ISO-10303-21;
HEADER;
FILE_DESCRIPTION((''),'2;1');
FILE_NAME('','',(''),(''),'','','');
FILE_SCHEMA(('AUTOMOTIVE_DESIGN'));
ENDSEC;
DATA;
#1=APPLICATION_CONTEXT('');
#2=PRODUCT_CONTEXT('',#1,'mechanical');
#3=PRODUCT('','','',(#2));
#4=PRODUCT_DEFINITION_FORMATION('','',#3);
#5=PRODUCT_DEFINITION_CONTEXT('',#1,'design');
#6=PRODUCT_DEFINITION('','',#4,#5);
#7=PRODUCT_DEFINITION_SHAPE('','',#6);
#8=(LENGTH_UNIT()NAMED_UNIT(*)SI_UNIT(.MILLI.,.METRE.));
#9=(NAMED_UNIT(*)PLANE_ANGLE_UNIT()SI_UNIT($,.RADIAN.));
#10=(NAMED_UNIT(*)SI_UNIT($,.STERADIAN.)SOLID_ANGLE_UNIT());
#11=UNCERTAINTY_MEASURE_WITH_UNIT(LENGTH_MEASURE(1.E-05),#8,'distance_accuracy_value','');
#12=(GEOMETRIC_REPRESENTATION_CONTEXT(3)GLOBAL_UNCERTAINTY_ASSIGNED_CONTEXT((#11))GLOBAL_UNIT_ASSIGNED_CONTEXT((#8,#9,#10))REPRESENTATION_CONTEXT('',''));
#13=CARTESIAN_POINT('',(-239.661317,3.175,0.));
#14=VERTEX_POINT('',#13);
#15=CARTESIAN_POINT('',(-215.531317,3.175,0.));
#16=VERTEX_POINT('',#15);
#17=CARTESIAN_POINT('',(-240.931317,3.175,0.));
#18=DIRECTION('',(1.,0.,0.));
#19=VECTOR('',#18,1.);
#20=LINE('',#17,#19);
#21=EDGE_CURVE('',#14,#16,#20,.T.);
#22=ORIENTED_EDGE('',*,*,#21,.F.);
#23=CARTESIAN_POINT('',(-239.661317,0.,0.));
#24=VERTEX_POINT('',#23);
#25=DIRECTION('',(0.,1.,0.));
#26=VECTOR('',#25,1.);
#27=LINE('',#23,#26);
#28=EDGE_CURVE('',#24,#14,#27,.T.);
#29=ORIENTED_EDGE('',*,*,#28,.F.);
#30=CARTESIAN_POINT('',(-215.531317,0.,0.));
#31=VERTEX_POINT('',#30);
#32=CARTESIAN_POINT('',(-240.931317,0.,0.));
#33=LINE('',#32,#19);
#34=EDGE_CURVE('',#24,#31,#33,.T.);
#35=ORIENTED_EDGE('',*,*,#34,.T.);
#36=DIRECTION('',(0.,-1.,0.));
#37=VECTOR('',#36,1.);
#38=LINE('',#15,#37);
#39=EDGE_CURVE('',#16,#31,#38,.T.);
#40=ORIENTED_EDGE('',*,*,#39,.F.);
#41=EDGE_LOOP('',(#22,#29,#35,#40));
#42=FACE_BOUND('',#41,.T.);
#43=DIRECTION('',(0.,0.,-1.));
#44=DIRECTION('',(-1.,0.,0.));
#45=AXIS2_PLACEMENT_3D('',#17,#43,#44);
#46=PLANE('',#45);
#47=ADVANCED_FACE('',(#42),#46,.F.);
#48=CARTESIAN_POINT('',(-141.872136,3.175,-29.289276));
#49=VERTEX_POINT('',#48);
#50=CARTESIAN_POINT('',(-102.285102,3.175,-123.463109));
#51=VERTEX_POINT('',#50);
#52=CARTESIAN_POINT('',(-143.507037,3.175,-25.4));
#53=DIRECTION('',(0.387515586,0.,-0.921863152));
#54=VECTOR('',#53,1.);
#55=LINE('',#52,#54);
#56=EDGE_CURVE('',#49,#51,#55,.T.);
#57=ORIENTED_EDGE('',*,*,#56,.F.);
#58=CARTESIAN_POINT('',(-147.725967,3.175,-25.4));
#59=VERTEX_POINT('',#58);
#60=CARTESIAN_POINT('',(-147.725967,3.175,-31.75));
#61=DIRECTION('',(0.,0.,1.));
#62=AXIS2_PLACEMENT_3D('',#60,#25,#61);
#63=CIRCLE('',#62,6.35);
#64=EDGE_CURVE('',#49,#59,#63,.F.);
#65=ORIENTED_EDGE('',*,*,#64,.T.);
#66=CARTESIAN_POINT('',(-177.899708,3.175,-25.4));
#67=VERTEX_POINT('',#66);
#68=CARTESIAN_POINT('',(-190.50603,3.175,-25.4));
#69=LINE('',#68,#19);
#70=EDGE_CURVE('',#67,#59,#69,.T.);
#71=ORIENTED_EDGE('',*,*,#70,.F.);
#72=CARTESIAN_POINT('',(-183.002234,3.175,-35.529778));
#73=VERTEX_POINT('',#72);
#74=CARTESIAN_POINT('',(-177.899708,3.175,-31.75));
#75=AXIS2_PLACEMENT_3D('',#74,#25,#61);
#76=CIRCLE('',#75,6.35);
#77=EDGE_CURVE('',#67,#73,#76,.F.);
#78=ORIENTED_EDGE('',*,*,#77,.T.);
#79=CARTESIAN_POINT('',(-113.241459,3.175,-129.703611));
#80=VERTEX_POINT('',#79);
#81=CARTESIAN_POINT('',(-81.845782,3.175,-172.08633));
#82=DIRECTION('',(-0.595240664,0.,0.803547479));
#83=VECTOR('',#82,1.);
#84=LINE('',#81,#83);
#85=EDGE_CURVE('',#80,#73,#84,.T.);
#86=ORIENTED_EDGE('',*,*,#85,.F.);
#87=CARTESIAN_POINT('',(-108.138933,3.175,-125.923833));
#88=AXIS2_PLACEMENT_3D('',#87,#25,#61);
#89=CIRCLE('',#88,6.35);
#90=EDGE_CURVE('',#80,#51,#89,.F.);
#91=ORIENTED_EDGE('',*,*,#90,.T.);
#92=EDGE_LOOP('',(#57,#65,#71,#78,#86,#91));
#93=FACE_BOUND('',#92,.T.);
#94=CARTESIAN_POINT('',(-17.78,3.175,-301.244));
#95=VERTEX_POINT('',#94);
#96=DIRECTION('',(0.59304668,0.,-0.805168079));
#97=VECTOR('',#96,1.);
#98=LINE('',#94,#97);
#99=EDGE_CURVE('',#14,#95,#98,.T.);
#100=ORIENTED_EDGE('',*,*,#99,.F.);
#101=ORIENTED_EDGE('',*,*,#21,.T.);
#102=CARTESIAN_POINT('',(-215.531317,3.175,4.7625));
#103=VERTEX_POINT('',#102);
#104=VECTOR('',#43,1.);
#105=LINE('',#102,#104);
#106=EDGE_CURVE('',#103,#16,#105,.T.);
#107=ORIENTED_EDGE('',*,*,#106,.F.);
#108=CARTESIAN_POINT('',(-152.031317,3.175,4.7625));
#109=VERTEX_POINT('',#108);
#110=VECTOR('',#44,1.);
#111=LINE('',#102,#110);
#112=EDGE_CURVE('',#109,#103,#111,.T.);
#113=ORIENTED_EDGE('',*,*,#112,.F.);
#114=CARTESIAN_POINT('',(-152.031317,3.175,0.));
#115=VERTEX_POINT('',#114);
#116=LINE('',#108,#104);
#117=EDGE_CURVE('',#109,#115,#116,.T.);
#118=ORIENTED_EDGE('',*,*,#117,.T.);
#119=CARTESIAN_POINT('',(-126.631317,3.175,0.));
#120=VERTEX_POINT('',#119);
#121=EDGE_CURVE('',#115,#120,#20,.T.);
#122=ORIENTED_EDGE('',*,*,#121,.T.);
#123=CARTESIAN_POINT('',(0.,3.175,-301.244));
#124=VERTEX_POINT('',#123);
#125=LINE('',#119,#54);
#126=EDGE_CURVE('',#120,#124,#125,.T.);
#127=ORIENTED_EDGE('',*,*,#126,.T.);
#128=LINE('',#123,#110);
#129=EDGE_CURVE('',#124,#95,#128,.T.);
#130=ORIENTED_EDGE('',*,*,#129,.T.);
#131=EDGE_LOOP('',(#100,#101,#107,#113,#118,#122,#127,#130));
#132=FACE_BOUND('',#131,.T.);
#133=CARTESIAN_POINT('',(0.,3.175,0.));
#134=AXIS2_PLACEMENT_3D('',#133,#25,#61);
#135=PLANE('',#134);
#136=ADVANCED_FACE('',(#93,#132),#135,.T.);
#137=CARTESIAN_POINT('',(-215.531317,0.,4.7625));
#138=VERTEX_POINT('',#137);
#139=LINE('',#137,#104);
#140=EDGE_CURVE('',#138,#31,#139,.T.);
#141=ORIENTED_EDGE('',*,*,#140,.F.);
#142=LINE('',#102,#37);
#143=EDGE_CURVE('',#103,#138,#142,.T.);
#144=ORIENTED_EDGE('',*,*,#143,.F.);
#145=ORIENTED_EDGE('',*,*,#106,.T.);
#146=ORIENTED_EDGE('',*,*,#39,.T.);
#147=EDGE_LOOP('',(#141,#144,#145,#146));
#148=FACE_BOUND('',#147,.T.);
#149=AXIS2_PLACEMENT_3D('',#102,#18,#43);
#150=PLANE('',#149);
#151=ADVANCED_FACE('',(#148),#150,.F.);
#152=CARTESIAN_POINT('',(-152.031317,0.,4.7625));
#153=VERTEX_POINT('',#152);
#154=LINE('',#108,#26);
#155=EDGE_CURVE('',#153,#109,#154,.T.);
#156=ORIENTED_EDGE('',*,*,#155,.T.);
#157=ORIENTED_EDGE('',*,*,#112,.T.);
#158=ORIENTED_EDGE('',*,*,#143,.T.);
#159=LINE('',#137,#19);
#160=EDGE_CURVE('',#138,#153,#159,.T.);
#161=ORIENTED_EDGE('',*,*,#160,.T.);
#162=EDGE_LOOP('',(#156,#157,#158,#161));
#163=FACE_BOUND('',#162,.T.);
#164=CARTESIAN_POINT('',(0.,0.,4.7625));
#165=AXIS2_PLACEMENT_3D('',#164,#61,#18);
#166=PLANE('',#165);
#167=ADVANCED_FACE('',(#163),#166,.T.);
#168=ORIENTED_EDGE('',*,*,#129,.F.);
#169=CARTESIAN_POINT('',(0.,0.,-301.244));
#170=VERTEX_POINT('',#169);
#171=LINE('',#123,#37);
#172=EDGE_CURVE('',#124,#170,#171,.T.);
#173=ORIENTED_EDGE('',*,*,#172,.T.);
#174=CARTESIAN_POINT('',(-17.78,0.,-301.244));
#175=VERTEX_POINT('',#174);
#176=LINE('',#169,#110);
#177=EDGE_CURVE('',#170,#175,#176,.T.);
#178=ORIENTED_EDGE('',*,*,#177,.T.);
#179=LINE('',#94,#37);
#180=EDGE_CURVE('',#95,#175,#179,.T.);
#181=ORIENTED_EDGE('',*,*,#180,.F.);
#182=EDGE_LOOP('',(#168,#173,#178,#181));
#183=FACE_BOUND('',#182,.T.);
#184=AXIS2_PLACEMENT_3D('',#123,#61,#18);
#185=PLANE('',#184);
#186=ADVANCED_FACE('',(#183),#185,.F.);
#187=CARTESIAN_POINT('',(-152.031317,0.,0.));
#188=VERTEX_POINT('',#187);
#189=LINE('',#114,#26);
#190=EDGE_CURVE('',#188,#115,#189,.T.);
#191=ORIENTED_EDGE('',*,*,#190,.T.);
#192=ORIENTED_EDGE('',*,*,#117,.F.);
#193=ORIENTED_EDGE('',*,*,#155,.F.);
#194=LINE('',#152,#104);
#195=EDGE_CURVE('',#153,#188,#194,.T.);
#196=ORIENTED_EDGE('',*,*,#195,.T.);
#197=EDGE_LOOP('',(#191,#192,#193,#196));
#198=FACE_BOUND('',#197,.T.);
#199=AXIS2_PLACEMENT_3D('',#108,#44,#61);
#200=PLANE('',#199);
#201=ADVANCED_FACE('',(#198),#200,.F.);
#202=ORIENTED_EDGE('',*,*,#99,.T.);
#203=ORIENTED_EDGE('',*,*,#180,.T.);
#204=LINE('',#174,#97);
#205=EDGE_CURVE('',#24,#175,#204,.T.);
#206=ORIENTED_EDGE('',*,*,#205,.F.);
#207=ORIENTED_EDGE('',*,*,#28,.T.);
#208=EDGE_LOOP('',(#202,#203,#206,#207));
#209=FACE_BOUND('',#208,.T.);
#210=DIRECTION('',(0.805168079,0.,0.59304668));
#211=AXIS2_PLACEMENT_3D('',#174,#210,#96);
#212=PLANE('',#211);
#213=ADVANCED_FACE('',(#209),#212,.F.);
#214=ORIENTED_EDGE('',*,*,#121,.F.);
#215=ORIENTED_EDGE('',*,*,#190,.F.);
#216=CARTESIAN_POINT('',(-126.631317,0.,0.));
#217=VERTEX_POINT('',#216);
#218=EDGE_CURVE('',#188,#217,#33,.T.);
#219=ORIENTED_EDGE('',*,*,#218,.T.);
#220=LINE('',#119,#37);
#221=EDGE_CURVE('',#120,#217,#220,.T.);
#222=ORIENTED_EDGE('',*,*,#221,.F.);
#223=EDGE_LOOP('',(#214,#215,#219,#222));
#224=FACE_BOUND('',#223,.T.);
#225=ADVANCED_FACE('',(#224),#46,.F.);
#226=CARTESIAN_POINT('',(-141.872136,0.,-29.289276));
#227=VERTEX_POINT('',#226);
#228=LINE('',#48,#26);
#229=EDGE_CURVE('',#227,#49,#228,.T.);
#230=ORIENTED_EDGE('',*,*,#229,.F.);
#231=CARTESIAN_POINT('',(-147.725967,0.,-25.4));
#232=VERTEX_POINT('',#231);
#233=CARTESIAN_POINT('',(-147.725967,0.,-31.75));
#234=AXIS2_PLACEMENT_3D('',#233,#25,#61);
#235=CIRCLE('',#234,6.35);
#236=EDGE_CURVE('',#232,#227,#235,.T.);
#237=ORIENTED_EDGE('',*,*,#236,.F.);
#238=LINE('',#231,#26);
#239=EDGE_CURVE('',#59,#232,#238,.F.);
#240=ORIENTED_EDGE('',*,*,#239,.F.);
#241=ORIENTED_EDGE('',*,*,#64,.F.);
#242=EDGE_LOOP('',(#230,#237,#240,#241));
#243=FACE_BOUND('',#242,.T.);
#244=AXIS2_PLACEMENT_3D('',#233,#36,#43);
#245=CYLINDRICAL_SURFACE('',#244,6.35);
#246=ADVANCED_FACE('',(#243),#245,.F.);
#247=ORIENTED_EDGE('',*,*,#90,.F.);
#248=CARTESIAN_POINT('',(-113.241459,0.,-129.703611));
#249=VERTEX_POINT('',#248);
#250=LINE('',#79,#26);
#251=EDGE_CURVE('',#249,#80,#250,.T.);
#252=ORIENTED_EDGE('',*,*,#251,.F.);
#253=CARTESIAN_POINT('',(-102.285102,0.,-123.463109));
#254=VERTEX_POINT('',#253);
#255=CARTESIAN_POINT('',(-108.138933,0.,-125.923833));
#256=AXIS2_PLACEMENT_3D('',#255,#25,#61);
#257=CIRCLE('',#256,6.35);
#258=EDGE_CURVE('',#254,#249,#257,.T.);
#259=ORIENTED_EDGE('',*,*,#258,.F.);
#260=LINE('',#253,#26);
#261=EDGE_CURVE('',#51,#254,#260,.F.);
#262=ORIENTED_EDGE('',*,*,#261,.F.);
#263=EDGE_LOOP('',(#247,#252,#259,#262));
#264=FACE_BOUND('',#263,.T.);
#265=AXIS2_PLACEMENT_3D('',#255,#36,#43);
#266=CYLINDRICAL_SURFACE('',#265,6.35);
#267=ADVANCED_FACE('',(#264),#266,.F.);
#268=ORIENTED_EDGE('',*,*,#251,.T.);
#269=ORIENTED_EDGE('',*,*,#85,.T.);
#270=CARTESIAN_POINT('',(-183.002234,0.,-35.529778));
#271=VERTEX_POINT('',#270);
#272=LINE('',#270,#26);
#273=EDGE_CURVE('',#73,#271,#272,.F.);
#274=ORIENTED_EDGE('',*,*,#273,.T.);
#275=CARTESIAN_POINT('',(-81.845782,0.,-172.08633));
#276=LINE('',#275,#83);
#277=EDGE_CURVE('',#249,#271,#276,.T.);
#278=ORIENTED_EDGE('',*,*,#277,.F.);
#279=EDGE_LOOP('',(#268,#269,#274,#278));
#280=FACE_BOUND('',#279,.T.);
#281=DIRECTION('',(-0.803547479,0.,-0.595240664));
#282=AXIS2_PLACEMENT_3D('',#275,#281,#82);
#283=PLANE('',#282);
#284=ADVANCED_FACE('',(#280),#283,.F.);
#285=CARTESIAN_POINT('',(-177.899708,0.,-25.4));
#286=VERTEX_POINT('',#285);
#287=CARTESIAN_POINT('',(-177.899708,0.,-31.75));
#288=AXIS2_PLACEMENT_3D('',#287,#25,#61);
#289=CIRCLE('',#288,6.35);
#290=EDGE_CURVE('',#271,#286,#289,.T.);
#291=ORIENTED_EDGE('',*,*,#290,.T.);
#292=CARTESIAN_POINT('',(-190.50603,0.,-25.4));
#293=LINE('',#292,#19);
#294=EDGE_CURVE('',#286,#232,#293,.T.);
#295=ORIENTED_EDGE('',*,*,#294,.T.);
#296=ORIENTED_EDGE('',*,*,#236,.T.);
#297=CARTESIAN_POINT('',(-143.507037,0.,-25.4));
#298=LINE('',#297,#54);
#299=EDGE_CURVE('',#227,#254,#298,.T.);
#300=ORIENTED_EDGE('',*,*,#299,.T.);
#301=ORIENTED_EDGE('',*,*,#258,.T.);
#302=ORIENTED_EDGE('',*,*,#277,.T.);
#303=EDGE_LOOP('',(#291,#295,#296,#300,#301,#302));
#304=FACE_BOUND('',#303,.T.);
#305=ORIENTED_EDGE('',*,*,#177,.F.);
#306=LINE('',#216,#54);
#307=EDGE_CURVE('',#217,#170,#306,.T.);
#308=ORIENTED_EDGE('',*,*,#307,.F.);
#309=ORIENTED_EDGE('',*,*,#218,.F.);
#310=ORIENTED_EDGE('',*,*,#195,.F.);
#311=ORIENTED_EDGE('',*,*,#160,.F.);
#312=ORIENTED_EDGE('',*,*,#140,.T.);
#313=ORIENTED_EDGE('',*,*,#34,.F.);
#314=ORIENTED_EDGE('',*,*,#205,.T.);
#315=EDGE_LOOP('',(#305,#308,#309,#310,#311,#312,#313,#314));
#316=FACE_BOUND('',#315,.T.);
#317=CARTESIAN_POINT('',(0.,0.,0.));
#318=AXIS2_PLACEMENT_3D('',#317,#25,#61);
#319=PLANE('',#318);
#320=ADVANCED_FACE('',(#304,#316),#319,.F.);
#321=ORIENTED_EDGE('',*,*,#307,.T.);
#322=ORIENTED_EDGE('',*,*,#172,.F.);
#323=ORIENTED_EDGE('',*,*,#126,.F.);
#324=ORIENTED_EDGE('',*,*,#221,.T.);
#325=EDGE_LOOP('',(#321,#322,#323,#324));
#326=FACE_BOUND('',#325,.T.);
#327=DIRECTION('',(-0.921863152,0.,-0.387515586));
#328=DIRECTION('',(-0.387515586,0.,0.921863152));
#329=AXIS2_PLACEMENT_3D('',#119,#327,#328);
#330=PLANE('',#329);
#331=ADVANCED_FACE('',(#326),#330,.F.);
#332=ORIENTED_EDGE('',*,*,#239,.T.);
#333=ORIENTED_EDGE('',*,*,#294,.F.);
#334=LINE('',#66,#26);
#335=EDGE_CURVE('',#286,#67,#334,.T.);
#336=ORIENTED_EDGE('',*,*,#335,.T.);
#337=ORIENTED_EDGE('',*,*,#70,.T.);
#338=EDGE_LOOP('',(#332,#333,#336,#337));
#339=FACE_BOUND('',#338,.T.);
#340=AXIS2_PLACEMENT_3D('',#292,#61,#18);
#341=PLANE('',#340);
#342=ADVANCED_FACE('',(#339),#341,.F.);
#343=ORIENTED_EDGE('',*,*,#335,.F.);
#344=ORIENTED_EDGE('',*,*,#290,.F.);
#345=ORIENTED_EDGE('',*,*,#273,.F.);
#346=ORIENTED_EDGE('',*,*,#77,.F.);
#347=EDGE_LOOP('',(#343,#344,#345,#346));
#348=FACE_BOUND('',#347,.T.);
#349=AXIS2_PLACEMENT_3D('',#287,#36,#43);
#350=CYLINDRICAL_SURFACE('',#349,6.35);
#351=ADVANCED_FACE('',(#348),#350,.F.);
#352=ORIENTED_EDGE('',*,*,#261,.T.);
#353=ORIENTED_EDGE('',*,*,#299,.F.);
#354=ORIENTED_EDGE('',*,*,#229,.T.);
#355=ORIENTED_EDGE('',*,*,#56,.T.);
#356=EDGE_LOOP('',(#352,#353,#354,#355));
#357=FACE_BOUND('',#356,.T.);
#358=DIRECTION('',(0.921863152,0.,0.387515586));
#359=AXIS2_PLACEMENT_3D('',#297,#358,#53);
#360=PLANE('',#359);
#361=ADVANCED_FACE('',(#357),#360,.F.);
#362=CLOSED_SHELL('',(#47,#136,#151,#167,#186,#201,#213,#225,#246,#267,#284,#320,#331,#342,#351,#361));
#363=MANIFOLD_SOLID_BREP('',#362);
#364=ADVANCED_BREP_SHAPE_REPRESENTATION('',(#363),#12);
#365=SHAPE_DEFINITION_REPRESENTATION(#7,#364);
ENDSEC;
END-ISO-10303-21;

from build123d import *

# Parameters (mm, degrees)
BOSS_EXTRUDE1_DEPTH = 3.175
CUT_EXTRUDE1_DEPTH  = 3.175
FILLET1_R           = 6.35
SKETCH3_W           = 63.5
SKETCH3_H           = 3.175
BOSS_EXTRUDE2_DEPTH = 4.7625
CUT_EXTRUDE2_DEPTH  = 386.753713985


with BuildPart() as part:
    # Sketch1 → Boss-Extrude1 (new body)
    with BuildSketch(Plane(origin=(0, 0, 0), x_dir=(1, 0, 0), z_dir=(0, 1, 0))):
        Polygon((0, 301.244), (-17.78, 301.244), (-240.931317375, 0), (-126.631317375, 0), align=None)
    extrude(amount=BOSS_EXTRUDE1_DEPTH)

    # Sketch2 → Cut-Extrude1 (cut)
    with BuildSketch(Plane(origin=(0, 3.175, 0), x_dir=(1, 0, 0), z_dir=(0, 1, 0))):
        Polygon((-143.507037027, 25.4), (-81.84578186, 172.086329549), (-190.506029632, 25.4), align=None)
    extrude(amount=-CUT_EXTRUDE1_DEPTH, mode=Mode.SUBTRACT)

    # Fillet1
    fillet1_edges = [part.edges().sort_by_distance(p)[0] for p in [
        (-143.507037027, 1.5875, -25.4),
        (-190.506029632, 1.5875, -25.4),
        (-81.84578186, 1.5875, -172.086329549),
    ]]
    fillet(fillet1_edges, radius=FILLET1_R)

    # Sketch3 → Boss-Extrude2 (add)
    with BuildSketch(Plane.XY):
        with Locations((-183.781317375, 1.5875)):
            Rectangle(SKETCH3_W, SKETCH3_H)
    extrude(amount=BOSS_EXTRUDE2_DEPTH)

    # Sketch4 → Cut-Extrude2 (cut, through all)
    with BuildSketch(Plane(origin=(0, 3.175, 0), x_dir=(1, 0, 0), z_dir=(0, 1, 0))):
        Polygon((-17.78, 301.244), (-239.661317375, 0), (-240.931317375, 0), align=None)
    extrude(amount=-CUT_EXTRUDE2_DEPTH, mode=Mode.SUBTRACT)


solid = part.part
